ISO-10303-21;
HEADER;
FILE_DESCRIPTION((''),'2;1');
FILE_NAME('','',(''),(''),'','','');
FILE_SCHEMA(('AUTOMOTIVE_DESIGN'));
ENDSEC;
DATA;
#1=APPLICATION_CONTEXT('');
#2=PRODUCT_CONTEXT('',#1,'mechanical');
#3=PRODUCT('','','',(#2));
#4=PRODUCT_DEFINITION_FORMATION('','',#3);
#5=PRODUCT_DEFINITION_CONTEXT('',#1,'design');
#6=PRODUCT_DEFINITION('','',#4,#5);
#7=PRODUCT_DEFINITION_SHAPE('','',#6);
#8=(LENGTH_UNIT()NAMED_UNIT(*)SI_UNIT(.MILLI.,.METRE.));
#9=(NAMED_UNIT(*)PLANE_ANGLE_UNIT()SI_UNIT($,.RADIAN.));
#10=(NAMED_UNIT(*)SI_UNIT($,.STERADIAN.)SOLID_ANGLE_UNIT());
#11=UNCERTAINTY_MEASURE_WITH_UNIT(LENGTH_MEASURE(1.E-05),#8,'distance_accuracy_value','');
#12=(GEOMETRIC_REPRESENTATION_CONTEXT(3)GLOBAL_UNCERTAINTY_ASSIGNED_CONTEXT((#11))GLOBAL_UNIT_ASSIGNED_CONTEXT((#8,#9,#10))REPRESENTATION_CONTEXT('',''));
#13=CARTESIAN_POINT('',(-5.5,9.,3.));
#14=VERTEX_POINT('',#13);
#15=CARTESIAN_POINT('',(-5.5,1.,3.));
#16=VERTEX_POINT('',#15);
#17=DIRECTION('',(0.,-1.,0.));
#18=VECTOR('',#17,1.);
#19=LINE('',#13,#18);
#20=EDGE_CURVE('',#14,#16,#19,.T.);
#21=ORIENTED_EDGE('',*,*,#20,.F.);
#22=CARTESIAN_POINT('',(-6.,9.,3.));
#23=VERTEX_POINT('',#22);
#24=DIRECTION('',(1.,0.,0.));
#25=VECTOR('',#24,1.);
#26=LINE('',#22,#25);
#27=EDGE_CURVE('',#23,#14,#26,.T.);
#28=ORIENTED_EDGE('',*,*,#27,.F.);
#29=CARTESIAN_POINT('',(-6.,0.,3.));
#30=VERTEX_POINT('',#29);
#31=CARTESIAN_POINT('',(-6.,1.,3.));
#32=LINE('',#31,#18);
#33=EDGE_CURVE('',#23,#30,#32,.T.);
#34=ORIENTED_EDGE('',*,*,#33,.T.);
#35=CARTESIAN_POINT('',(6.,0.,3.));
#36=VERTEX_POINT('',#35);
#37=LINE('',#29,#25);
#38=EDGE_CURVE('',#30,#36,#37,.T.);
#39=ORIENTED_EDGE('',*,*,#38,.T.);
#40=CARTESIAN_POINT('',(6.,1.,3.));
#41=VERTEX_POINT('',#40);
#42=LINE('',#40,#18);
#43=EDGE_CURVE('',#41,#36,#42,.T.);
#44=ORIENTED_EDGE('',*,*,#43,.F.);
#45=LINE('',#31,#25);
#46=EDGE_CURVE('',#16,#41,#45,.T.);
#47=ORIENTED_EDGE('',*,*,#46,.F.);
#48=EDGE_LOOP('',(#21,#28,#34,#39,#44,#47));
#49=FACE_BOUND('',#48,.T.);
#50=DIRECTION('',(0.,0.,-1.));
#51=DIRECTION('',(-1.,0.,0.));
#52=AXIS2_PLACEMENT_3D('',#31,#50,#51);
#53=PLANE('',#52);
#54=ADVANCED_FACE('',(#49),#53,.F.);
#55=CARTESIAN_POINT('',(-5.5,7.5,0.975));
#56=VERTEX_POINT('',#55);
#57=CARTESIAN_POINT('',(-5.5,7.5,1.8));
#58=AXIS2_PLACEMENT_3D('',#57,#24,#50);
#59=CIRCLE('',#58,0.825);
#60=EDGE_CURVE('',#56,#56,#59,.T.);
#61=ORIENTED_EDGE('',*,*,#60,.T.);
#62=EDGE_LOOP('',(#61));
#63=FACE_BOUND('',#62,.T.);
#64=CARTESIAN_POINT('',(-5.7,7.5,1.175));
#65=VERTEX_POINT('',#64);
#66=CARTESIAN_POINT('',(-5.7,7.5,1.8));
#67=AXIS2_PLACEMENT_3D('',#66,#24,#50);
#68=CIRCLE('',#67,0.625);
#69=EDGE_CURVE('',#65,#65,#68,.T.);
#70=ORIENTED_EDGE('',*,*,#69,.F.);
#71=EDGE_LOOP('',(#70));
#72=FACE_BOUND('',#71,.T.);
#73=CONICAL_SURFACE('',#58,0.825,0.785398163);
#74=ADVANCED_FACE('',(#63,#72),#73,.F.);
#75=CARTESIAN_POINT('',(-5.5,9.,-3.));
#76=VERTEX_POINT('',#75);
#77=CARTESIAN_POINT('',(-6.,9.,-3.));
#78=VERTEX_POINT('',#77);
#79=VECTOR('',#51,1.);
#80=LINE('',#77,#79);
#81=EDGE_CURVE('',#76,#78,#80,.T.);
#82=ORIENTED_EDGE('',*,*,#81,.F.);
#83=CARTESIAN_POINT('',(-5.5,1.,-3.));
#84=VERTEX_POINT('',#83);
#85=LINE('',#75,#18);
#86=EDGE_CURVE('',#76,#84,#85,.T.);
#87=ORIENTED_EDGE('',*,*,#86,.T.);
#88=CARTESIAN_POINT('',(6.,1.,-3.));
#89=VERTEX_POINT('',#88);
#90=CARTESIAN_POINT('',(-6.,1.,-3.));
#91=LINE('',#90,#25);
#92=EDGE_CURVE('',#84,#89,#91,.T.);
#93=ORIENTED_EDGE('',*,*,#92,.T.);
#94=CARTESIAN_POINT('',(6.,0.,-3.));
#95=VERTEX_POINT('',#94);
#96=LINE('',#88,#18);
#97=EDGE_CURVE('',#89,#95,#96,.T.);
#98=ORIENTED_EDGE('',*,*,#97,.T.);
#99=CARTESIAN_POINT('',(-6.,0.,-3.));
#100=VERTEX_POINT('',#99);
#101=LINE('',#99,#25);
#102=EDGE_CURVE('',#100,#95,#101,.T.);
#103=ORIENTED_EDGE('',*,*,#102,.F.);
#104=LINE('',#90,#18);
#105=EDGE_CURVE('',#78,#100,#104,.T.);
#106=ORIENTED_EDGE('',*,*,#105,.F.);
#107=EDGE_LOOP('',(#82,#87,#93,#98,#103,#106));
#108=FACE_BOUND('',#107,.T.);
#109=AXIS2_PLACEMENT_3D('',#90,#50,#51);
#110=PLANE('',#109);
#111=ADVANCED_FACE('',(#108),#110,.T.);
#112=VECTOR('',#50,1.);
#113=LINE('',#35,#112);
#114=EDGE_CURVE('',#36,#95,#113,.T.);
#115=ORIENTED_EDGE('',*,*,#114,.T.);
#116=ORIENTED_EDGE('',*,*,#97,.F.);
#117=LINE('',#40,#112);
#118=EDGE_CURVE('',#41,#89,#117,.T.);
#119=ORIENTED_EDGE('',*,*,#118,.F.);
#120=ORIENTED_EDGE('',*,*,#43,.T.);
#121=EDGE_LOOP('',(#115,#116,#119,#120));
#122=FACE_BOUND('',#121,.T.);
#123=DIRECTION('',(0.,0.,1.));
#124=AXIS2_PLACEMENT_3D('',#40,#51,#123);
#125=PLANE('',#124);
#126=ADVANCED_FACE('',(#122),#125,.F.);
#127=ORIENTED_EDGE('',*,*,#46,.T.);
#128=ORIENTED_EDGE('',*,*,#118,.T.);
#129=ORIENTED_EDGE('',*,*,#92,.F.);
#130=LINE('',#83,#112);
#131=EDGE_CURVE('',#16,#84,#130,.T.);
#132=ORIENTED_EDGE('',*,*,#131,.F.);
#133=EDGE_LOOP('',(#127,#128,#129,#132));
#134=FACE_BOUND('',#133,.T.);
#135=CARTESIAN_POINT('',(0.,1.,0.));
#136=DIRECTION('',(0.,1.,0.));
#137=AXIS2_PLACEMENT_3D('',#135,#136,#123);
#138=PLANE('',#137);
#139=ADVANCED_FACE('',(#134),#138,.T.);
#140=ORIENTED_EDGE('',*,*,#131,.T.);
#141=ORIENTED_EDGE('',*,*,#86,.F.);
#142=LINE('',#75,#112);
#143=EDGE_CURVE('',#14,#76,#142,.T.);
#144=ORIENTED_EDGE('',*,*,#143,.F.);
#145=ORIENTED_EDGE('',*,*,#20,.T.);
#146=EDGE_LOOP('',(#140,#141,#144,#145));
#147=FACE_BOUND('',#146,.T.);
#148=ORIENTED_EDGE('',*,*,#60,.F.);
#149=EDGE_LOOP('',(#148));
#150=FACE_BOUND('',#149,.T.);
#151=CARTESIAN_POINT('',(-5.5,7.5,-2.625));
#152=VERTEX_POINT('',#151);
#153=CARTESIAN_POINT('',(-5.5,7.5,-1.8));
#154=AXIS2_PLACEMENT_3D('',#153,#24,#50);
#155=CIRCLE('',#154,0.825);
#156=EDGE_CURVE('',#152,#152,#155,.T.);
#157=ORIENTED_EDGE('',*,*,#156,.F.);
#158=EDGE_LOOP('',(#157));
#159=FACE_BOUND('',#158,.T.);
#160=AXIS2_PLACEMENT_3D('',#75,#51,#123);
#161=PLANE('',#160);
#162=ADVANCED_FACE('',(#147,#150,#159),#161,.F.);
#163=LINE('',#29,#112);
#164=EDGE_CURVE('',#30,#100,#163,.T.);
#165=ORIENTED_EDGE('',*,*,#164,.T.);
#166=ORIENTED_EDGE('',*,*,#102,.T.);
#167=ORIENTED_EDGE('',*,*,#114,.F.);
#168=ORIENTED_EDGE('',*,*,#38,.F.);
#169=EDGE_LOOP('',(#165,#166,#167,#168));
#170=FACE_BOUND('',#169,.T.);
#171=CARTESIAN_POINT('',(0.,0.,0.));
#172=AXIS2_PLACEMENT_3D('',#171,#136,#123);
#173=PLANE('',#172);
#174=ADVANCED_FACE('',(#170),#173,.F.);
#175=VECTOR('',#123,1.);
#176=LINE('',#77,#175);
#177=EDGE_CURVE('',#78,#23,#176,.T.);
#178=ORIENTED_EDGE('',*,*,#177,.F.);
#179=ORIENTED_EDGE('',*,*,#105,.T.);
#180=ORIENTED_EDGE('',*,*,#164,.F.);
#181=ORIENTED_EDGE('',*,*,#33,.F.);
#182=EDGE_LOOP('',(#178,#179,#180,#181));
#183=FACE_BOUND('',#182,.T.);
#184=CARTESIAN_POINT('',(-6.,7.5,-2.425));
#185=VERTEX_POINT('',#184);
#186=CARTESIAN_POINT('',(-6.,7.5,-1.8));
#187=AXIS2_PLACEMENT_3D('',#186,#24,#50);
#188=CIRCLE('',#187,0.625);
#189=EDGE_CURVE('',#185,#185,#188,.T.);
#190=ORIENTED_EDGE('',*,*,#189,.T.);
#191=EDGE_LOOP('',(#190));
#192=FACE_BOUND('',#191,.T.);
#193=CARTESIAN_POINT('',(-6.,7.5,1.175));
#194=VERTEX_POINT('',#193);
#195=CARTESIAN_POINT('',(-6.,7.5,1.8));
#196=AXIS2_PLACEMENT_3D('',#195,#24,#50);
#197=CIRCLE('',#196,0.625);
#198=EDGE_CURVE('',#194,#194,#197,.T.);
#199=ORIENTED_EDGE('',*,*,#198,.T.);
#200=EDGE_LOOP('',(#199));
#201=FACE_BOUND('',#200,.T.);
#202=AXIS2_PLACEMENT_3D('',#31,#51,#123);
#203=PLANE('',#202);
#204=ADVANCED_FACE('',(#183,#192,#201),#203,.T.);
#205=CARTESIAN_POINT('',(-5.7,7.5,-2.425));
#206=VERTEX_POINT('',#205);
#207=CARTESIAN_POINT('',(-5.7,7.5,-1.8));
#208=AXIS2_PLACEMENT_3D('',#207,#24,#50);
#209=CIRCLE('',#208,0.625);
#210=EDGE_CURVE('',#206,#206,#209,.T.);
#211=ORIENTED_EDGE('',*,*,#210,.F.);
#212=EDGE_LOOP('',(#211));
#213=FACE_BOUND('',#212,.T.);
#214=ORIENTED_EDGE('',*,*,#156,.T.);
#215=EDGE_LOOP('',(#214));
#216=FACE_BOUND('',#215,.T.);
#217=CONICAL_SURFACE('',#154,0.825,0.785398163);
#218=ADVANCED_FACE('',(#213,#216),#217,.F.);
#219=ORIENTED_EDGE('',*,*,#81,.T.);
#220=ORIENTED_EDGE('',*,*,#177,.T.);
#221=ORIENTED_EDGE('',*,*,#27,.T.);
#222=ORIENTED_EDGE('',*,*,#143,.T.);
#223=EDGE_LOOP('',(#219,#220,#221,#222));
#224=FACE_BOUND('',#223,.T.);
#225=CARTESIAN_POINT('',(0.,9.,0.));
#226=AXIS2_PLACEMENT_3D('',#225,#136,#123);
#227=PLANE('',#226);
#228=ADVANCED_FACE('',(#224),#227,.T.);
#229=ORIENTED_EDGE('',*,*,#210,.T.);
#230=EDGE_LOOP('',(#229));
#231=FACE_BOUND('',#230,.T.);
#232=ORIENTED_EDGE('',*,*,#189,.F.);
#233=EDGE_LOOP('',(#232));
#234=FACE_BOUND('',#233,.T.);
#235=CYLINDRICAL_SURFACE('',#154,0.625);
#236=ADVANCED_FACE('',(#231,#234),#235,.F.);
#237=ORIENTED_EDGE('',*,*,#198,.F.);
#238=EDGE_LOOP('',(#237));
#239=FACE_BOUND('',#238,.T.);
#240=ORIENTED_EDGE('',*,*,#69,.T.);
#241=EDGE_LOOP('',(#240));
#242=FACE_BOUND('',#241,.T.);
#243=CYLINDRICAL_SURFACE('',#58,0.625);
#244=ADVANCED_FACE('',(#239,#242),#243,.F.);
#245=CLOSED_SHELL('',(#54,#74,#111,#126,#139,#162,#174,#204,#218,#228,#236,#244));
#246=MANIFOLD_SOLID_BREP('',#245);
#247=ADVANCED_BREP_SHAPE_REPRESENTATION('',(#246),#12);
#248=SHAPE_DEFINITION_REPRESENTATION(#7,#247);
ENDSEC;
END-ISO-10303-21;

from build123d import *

# Parameters (mm, degrees)
SKETCH_1_W                    = 12
SKETCH_1_H                    = 6
EXTRUDE_1_DEPTH               = 1
SKETCH_2_W                    = 0.5
SKETCH_2_H                    = 6
EXTRUDE_2_DEPTH               = 8
HOLE_WIZARD_M1_6_1_AT_2_COUNT = 2
HOLE_WIZARD_M1_6_1_AT_2_PITCH = 3.6


with BuildPart() as part:
    # 草图1 → 凸台-拉伸1 (new body)
    with BuildSketch(Plane(origin=(0, 0, 0), x_dir=(1, 0, 0), z_dir=(0, 1, 0))):
        Rectangle(SKETCH_1_W, SKETCH_1_H)
    extrude(amount=EXTRUDE_1_DEPTH)

    # 草图2 → 凸台-拉伸2 (add)
    with BuildSketch(Plane(origin=(0, 1, 0), x_dir=(1, 0, 0), z_dir=(0, 1, 0))):
        with Locations((-5.75, 0)):
            Rectangle(SKETCH_2_W, SKETCH_2_H)
    extrude(amount=EXTRUDE_2_DEPTH)

    # 草图5 → M1.6 螺纹孔1 (revolve, cut)
    with BuildSketch(Plane(origin=(-5.5, 7.5, -1.8), x_dir=(0, 0, -1), z_dir=(0, 1, 0))):
        Polygon((0, 0), (0, 0.5), (0.625, 0.5), (0.625, 0.2), (0.825, 0), align=None)
    hole_wizard_m1_6_1 = revolve(axis=Axis((0.85, 7.5, -1.8), (-1, 0, 0)), mode=Mode.SUBTRACT)

    # M1.6 螺纹孔1 at 2: M1.6 螺纹孔1 ×2
    with Locations(*[(0, 0, i * HOLE_WIZARD_M1_6_1_AT_2_PITCH) for i in range(1, HOLE_WIZARD_M1_6_1_AT_2_COUNT)]):
        add(hole_wizard_m1_6_1, mode=Mode.SUBTRACT)


solid = part.part
